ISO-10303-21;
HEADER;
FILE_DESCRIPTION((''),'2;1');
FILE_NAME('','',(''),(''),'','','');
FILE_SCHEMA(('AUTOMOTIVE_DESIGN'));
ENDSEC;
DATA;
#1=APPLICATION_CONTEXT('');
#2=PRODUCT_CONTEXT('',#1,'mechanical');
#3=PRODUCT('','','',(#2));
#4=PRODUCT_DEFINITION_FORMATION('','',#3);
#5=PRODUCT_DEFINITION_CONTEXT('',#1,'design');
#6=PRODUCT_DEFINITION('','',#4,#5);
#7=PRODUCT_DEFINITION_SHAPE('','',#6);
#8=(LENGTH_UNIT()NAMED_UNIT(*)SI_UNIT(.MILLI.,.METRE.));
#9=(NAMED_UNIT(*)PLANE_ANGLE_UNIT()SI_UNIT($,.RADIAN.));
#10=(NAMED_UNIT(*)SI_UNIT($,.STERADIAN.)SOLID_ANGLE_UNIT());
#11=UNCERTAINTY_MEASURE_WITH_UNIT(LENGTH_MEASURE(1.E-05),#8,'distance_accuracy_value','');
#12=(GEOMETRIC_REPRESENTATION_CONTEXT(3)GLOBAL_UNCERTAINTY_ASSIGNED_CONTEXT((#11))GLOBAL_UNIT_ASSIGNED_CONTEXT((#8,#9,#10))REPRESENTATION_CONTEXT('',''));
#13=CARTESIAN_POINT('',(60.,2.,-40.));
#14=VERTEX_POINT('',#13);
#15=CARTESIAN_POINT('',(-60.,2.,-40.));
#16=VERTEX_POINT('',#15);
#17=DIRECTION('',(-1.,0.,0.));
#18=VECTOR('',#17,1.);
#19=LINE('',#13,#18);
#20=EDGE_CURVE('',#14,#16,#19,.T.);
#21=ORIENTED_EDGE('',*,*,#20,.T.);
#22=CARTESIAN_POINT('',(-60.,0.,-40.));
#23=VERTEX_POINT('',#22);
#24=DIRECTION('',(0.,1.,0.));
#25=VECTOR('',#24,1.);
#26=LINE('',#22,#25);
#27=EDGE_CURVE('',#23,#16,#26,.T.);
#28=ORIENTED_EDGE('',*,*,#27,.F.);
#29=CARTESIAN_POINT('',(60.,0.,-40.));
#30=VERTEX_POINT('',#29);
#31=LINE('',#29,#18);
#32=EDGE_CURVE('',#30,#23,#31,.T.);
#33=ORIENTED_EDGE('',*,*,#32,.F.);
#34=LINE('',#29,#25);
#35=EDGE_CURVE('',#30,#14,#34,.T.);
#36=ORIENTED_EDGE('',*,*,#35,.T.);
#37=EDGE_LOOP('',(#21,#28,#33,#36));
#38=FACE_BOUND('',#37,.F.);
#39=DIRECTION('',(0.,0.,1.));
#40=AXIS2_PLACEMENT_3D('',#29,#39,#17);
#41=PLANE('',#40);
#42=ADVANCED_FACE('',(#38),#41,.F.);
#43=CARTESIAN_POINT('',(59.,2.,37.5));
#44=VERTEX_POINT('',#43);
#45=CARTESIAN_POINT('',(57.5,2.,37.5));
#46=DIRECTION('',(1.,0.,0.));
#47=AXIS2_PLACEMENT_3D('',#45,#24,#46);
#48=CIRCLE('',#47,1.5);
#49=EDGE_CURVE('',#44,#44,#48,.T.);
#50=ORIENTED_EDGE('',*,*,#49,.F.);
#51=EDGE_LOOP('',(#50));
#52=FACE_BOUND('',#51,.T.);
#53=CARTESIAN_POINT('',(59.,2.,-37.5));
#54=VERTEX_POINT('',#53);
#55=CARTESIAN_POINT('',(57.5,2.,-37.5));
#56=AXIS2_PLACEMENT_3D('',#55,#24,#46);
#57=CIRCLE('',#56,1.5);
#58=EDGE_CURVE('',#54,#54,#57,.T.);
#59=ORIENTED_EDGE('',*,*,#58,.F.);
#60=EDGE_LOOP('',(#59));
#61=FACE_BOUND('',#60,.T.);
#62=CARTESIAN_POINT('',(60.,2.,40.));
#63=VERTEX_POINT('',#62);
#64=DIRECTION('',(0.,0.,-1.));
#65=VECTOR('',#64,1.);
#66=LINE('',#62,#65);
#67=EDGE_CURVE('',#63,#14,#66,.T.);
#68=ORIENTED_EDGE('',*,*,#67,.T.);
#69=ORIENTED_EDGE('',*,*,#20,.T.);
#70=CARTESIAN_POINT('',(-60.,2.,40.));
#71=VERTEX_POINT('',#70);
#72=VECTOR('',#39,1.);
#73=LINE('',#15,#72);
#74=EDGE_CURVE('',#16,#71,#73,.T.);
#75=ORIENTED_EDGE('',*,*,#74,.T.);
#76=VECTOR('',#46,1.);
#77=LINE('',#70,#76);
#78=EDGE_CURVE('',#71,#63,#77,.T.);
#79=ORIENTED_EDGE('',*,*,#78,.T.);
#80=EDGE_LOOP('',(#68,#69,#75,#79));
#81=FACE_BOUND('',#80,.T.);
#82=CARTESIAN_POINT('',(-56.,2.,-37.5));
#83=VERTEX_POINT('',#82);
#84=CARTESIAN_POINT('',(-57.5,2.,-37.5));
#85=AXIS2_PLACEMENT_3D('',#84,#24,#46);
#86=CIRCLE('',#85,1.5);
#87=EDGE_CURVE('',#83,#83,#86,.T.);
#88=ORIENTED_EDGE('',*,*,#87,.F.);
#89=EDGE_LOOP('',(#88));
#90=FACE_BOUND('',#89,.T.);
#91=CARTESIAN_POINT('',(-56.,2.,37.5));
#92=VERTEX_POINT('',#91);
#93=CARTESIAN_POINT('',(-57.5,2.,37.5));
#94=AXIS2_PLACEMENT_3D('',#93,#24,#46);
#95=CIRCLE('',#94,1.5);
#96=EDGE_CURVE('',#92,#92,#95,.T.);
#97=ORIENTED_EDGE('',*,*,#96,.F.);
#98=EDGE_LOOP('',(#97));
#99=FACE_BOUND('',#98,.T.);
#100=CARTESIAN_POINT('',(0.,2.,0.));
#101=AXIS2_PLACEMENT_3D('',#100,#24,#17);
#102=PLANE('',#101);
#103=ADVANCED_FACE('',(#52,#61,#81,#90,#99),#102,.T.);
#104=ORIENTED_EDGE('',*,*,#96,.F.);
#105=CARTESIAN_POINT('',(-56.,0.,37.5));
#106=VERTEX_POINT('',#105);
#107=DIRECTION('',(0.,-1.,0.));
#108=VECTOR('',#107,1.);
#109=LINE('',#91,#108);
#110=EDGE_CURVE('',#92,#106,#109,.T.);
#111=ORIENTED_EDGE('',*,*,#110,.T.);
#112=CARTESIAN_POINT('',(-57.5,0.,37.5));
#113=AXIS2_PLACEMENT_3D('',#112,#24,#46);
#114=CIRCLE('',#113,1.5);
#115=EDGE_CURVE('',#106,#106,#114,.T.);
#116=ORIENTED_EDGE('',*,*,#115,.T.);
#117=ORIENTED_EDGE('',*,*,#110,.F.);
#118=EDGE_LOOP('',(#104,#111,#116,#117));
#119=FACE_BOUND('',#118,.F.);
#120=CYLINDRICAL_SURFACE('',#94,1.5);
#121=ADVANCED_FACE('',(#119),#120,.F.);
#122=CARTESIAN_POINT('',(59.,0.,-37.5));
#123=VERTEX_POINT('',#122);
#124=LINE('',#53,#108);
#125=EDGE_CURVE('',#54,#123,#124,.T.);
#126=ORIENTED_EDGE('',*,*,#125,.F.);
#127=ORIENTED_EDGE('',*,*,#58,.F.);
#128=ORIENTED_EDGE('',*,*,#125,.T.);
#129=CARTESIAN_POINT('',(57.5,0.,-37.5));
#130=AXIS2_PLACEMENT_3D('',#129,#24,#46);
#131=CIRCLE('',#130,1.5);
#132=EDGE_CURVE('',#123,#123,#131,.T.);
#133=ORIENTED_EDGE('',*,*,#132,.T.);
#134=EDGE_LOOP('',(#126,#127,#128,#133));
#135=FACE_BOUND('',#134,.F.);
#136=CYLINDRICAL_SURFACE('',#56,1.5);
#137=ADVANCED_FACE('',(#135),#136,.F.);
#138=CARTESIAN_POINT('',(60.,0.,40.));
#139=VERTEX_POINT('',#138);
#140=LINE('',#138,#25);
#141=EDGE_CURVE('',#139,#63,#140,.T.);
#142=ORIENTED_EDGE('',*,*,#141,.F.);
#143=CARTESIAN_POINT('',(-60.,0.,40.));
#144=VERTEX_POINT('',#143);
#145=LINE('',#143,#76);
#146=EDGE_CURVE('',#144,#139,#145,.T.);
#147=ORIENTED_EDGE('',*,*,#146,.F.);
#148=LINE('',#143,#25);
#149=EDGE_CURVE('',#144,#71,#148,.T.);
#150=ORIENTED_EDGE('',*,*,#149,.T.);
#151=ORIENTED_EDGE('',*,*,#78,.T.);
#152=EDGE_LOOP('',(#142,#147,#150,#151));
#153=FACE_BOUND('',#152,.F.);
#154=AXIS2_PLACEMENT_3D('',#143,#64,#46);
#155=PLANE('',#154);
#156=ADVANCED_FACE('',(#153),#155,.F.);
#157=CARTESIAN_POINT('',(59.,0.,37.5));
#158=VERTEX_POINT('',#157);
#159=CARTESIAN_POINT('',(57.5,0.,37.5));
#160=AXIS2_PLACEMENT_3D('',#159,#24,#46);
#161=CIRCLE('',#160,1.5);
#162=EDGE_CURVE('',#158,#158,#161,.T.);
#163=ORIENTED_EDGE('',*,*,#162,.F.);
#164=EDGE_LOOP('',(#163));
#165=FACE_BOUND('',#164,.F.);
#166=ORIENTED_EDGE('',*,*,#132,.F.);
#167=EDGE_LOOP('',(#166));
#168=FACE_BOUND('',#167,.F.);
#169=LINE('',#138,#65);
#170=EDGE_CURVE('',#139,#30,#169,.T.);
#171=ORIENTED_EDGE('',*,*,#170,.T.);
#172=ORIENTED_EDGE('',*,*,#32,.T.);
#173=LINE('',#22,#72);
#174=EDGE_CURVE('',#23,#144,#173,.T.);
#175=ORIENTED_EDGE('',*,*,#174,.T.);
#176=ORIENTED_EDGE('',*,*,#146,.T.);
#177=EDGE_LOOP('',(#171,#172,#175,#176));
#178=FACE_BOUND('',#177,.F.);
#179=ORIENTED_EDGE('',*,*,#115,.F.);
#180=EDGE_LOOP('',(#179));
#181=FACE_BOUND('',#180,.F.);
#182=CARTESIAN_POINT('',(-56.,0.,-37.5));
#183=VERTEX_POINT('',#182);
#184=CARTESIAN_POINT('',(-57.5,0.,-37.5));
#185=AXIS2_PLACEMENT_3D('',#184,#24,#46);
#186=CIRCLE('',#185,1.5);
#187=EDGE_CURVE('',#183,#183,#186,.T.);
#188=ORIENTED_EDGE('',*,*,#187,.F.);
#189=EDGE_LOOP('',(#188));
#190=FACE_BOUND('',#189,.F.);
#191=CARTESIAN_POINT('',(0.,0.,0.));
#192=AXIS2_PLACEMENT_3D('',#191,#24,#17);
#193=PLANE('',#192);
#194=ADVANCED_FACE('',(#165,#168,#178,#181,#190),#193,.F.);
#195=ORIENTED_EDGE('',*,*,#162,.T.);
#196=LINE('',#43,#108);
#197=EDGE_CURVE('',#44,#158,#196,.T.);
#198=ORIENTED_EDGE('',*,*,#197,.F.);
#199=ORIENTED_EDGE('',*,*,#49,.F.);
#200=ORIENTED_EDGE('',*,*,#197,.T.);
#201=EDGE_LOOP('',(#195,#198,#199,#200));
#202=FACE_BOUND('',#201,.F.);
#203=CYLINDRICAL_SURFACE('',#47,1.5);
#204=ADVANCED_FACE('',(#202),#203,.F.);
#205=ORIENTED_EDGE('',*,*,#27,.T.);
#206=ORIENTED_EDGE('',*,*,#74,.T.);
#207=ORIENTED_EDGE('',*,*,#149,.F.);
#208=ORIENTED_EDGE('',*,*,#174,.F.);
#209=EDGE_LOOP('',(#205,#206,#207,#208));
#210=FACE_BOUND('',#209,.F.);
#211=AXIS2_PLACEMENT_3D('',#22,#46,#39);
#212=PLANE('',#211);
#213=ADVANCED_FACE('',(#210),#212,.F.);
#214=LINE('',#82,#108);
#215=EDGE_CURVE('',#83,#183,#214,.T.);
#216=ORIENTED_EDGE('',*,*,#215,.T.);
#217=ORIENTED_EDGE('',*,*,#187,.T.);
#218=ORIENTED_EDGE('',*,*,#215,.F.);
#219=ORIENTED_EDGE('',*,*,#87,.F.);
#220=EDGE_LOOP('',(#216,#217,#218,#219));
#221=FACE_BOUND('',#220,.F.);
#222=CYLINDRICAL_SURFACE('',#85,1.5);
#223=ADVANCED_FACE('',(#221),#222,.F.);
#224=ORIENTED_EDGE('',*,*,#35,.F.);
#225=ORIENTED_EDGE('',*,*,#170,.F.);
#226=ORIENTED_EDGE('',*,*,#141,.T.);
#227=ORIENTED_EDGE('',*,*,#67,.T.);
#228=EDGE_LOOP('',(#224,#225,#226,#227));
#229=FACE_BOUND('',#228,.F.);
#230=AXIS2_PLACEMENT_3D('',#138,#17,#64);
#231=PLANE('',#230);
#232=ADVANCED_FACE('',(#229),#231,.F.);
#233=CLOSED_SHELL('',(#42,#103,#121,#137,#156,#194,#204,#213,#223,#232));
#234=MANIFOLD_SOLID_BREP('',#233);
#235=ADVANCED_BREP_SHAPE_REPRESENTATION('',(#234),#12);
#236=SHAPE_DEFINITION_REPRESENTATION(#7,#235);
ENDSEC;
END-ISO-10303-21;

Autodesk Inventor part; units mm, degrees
sketch "Эскиз1" plane through (0, 0, 0) normal (0, 1, 0) x (-1, 0, 0)
  line L0 (60, 40) -> (-60, 40)
  line L1 (-60, 40) -> (-60, -40)
  line L2 (-60, -40) -> (60, -40)
  line L3 (60, -40) -> (60, 40)
  line L4 (60, 40) -> (-60, -40) construction
  line L5 (-60, 40) -> (60, -40) construction
  point P0 (0, 0)
  dimension "d0" = 120
  dimension "d1" = 80
extrude "Выдавливание1" add sketch "Эскиз1" along normal blind 2
sketch "Эскиз2" plane through (0, 2, 0) normal (0, 1, 0) x (1, 0, 0)
  circle A0 centre (-57.5, 37.5) radius 1.5
  line L0 (-60, 40) -> (-60, -40) projected
  line L1 (60, 40) -> (-60, 40) projected
  line L2 (0, 56) -> (0, -56) construction
  line L3 (84, 0) -> (-84, 0) construction
  circle A1 centre (57.5, 37.5) radius 1.5
  circle A2 centre (-57.5, -37.5) radius 1.5
  circle A3 centre (57.5, -37.5) radius 1.5
  dimension "d4" = 3
  dimension "d5" = 2.5
  dimension "d6" = 2.5
extrude "Выдавливание2" cut sketch "Эскиз2" against normal up to next
properties part number "Плата"
